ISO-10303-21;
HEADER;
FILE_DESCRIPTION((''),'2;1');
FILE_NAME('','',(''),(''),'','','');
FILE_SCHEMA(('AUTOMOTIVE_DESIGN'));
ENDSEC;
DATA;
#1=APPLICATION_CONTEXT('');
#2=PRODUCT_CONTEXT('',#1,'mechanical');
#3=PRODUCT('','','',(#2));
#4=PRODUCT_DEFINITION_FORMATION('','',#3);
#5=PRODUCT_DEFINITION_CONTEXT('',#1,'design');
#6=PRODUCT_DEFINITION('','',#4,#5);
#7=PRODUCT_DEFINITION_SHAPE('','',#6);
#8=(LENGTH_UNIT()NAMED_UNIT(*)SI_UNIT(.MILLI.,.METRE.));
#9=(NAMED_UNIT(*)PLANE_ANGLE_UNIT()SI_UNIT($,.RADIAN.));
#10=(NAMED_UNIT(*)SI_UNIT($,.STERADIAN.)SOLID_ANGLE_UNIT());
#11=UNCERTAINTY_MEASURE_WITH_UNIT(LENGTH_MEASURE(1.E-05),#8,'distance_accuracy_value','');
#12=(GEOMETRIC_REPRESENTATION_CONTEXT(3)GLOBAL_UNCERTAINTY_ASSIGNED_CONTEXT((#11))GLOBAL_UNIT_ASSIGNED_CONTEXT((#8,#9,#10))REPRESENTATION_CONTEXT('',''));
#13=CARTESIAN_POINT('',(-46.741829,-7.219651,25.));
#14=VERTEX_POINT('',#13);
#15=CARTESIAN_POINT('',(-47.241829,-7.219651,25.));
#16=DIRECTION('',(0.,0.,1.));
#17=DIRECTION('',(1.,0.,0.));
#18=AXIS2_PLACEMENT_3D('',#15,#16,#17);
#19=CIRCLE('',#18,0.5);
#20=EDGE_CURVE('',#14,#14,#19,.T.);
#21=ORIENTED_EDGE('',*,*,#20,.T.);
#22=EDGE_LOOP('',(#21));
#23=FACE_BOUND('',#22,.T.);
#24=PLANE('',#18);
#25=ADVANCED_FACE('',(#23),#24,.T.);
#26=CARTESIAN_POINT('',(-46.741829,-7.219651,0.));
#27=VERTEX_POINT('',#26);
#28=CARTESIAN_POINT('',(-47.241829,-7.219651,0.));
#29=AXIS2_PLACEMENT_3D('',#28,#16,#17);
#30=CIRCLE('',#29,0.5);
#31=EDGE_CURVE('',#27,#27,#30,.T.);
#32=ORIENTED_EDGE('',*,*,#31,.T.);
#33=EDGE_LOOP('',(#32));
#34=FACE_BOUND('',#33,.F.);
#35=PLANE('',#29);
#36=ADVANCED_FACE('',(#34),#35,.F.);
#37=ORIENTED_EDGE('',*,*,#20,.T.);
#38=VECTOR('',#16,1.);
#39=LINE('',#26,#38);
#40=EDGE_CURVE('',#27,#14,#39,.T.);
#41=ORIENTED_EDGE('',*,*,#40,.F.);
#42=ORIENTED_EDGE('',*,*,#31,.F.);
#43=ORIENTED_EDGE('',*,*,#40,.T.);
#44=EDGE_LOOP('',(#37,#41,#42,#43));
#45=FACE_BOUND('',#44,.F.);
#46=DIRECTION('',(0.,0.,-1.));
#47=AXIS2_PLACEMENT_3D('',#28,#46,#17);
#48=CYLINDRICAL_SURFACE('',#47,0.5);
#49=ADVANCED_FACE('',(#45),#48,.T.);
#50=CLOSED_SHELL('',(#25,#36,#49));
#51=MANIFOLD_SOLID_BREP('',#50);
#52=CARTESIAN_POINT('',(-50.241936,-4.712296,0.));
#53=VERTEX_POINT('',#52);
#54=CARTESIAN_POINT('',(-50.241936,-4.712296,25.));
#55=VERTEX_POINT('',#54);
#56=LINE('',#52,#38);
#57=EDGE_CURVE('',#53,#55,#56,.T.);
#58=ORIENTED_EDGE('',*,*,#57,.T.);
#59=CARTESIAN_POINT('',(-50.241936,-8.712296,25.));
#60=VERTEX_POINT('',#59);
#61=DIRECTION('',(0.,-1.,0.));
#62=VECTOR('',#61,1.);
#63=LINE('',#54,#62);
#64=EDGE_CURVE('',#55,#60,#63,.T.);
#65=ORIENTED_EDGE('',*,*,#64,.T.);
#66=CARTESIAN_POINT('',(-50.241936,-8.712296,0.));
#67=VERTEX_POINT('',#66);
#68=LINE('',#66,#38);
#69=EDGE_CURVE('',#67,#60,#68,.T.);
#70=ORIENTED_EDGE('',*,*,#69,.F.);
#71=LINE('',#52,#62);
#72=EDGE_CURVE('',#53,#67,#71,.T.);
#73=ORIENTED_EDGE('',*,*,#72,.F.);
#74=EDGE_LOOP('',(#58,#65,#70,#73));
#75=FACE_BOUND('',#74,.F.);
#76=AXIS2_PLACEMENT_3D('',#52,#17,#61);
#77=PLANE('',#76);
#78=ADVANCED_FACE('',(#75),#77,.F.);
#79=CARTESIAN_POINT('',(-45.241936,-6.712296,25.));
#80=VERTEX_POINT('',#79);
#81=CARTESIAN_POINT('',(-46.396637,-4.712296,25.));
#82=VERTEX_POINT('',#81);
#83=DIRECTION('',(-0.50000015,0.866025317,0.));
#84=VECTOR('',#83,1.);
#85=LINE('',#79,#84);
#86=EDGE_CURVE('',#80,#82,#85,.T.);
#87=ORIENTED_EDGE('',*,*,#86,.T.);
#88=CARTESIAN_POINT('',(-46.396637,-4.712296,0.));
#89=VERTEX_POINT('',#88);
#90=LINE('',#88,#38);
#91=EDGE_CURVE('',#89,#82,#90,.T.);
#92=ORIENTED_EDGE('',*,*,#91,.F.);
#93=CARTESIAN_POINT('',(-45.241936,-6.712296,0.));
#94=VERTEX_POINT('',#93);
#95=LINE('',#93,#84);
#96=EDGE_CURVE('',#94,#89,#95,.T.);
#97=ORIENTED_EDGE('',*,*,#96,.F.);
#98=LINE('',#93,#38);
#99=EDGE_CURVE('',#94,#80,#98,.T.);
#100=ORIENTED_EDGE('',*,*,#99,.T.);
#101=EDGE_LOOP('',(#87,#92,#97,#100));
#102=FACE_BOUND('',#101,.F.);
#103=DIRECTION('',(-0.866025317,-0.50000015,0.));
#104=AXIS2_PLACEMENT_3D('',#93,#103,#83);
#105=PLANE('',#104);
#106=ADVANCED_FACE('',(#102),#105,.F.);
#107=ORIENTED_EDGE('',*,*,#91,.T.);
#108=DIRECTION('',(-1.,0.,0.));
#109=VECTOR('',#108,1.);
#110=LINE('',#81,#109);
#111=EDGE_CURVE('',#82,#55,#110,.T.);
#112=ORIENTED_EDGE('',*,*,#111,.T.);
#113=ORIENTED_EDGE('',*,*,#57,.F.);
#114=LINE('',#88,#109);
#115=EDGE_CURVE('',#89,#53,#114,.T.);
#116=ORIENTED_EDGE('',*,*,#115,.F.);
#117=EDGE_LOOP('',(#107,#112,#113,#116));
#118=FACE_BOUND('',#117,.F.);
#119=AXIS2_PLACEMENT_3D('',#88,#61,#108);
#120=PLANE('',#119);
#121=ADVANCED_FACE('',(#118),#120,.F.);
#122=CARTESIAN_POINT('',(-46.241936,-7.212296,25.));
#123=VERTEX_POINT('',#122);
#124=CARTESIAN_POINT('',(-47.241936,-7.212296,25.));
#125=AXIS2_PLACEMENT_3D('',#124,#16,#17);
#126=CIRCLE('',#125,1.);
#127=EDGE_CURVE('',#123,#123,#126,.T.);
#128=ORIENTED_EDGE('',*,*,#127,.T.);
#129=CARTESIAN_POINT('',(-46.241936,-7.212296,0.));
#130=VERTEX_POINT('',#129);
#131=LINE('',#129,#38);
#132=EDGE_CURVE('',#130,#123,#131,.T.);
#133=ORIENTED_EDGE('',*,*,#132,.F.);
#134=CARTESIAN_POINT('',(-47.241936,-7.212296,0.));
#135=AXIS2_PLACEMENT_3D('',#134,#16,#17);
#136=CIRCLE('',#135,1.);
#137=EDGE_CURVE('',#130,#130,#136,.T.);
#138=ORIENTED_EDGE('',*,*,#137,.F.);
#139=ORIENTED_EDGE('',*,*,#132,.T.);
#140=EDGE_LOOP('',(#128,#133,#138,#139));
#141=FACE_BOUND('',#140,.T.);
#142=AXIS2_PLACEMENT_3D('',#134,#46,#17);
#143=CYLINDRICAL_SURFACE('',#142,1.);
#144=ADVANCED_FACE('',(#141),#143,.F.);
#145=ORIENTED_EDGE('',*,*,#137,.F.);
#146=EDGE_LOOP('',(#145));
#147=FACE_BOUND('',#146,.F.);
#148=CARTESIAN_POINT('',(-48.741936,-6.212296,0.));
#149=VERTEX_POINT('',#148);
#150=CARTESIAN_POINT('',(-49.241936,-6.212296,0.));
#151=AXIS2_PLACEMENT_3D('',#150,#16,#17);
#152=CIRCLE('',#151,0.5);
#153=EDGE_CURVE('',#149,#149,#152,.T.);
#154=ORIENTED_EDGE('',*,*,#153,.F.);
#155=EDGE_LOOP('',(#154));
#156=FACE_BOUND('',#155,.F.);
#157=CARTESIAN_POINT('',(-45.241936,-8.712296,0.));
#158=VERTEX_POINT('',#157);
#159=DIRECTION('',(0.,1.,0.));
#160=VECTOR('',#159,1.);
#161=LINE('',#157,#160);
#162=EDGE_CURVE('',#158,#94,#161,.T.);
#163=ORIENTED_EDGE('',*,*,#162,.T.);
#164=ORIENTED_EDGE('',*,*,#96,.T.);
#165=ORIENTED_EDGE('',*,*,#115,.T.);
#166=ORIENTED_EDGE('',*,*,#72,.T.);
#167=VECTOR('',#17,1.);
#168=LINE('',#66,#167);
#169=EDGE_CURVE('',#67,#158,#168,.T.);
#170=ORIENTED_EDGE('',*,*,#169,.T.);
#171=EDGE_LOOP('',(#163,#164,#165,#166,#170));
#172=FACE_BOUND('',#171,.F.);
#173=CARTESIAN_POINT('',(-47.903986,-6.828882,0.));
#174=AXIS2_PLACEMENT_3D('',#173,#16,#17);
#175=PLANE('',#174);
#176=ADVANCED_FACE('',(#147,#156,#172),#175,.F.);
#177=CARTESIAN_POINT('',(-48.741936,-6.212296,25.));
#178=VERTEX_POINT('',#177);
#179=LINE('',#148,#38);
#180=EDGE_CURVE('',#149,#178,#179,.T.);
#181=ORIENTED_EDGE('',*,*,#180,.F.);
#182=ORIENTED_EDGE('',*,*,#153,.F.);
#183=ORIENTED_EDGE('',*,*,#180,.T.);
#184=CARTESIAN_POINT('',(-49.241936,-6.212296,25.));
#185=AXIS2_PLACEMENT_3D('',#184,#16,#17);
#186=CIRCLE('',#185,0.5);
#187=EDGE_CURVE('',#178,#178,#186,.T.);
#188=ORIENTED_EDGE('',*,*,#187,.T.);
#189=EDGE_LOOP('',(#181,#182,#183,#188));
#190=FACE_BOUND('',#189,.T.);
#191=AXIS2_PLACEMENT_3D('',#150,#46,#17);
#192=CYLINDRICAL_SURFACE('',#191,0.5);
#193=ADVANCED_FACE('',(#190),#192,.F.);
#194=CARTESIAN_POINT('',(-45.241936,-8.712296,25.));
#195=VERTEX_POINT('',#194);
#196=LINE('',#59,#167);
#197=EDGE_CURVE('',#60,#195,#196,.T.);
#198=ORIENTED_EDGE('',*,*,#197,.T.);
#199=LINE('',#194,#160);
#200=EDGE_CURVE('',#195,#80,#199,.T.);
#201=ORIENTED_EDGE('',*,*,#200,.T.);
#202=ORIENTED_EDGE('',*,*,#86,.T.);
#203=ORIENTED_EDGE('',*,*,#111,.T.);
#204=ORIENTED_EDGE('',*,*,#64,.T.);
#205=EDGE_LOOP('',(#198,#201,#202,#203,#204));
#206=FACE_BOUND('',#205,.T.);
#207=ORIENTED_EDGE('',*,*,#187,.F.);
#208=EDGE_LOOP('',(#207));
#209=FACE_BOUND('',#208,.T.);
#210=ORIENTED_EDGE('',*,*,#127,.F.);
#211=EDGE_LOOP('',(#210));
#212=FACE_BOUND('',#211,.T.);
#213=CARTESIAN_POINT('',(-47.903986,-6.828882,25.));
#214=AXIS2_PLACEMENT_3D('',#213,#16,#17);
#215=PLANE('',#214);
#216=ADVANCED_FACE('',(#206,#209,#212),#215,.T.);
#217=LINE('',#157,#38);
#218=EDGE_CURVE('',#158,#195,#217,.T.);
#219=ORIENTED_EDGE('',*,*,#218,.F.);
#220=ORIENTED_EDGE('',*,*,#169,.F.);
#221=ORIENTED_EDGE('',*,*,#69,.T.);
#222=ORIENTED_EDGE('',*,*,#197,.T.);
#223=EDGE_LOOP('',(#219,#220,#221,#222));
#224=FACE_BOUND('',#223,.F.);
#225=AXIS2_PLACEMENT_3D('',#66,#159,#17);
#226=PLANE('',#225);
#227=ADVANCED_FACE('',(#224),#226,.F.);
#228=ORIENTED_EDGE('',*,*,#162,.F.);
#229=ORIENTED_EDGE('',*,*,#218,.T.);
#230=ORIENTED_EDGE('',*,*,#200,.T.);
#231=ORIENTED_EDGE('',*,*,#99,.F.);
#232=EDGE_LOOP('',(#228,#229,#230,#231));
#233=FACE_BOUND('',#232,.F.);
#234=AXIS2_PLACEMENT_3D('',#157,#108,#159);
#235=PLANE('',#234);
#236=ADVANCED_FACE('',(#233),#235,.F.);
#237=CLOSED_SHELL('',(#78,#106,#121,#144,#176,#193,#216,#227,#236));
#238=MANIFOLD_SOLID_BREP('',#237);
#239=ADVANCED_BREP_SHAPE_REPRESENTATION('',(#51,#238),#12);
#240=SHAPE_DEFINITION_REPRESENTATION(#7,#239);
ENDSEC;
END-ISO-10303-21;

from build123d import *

# Parameters (mm, degrees)
F0_R     = 1
F0_R_2   = 0.5
F2_DEPTH = 25
F1_R     = 0.5
F3_DEPTH = 25


with BuildPart() as f2:
    # F0 (on Top) → F2 (new body)
    with BuildSketch(Plane.XY):
        Polygon((-50.241936, -6.212296), (-50.241936, -8.712296), (-47.241936, -8.712296), (-45.241936, -8.712296), (-45.241936, -6.712296), (-46.396637, -4.712296), (-50.241936, -4.712296), align=None)
        with Locations((-47.241936, -7.212296)):
            Circle(F0_R, mode=Mode.SUBTRACT)
        with Locations((-49.241936, -6.212296)):
            Circle(F0_R_2, mode=Mode.SUBTRACT)
    extrude(amount=F2_DEPTH)


with BuildPart() as f3:
    # F1 (on Top) → F3 (new body)
    with BuildSketch(Plane.XY):
        with Locations((-47.241829, -7.219651)):
            Circle(F1_R)
    extrude(amount=F3_DEPTH)


solid = Compound([f2.part, f3.part])
